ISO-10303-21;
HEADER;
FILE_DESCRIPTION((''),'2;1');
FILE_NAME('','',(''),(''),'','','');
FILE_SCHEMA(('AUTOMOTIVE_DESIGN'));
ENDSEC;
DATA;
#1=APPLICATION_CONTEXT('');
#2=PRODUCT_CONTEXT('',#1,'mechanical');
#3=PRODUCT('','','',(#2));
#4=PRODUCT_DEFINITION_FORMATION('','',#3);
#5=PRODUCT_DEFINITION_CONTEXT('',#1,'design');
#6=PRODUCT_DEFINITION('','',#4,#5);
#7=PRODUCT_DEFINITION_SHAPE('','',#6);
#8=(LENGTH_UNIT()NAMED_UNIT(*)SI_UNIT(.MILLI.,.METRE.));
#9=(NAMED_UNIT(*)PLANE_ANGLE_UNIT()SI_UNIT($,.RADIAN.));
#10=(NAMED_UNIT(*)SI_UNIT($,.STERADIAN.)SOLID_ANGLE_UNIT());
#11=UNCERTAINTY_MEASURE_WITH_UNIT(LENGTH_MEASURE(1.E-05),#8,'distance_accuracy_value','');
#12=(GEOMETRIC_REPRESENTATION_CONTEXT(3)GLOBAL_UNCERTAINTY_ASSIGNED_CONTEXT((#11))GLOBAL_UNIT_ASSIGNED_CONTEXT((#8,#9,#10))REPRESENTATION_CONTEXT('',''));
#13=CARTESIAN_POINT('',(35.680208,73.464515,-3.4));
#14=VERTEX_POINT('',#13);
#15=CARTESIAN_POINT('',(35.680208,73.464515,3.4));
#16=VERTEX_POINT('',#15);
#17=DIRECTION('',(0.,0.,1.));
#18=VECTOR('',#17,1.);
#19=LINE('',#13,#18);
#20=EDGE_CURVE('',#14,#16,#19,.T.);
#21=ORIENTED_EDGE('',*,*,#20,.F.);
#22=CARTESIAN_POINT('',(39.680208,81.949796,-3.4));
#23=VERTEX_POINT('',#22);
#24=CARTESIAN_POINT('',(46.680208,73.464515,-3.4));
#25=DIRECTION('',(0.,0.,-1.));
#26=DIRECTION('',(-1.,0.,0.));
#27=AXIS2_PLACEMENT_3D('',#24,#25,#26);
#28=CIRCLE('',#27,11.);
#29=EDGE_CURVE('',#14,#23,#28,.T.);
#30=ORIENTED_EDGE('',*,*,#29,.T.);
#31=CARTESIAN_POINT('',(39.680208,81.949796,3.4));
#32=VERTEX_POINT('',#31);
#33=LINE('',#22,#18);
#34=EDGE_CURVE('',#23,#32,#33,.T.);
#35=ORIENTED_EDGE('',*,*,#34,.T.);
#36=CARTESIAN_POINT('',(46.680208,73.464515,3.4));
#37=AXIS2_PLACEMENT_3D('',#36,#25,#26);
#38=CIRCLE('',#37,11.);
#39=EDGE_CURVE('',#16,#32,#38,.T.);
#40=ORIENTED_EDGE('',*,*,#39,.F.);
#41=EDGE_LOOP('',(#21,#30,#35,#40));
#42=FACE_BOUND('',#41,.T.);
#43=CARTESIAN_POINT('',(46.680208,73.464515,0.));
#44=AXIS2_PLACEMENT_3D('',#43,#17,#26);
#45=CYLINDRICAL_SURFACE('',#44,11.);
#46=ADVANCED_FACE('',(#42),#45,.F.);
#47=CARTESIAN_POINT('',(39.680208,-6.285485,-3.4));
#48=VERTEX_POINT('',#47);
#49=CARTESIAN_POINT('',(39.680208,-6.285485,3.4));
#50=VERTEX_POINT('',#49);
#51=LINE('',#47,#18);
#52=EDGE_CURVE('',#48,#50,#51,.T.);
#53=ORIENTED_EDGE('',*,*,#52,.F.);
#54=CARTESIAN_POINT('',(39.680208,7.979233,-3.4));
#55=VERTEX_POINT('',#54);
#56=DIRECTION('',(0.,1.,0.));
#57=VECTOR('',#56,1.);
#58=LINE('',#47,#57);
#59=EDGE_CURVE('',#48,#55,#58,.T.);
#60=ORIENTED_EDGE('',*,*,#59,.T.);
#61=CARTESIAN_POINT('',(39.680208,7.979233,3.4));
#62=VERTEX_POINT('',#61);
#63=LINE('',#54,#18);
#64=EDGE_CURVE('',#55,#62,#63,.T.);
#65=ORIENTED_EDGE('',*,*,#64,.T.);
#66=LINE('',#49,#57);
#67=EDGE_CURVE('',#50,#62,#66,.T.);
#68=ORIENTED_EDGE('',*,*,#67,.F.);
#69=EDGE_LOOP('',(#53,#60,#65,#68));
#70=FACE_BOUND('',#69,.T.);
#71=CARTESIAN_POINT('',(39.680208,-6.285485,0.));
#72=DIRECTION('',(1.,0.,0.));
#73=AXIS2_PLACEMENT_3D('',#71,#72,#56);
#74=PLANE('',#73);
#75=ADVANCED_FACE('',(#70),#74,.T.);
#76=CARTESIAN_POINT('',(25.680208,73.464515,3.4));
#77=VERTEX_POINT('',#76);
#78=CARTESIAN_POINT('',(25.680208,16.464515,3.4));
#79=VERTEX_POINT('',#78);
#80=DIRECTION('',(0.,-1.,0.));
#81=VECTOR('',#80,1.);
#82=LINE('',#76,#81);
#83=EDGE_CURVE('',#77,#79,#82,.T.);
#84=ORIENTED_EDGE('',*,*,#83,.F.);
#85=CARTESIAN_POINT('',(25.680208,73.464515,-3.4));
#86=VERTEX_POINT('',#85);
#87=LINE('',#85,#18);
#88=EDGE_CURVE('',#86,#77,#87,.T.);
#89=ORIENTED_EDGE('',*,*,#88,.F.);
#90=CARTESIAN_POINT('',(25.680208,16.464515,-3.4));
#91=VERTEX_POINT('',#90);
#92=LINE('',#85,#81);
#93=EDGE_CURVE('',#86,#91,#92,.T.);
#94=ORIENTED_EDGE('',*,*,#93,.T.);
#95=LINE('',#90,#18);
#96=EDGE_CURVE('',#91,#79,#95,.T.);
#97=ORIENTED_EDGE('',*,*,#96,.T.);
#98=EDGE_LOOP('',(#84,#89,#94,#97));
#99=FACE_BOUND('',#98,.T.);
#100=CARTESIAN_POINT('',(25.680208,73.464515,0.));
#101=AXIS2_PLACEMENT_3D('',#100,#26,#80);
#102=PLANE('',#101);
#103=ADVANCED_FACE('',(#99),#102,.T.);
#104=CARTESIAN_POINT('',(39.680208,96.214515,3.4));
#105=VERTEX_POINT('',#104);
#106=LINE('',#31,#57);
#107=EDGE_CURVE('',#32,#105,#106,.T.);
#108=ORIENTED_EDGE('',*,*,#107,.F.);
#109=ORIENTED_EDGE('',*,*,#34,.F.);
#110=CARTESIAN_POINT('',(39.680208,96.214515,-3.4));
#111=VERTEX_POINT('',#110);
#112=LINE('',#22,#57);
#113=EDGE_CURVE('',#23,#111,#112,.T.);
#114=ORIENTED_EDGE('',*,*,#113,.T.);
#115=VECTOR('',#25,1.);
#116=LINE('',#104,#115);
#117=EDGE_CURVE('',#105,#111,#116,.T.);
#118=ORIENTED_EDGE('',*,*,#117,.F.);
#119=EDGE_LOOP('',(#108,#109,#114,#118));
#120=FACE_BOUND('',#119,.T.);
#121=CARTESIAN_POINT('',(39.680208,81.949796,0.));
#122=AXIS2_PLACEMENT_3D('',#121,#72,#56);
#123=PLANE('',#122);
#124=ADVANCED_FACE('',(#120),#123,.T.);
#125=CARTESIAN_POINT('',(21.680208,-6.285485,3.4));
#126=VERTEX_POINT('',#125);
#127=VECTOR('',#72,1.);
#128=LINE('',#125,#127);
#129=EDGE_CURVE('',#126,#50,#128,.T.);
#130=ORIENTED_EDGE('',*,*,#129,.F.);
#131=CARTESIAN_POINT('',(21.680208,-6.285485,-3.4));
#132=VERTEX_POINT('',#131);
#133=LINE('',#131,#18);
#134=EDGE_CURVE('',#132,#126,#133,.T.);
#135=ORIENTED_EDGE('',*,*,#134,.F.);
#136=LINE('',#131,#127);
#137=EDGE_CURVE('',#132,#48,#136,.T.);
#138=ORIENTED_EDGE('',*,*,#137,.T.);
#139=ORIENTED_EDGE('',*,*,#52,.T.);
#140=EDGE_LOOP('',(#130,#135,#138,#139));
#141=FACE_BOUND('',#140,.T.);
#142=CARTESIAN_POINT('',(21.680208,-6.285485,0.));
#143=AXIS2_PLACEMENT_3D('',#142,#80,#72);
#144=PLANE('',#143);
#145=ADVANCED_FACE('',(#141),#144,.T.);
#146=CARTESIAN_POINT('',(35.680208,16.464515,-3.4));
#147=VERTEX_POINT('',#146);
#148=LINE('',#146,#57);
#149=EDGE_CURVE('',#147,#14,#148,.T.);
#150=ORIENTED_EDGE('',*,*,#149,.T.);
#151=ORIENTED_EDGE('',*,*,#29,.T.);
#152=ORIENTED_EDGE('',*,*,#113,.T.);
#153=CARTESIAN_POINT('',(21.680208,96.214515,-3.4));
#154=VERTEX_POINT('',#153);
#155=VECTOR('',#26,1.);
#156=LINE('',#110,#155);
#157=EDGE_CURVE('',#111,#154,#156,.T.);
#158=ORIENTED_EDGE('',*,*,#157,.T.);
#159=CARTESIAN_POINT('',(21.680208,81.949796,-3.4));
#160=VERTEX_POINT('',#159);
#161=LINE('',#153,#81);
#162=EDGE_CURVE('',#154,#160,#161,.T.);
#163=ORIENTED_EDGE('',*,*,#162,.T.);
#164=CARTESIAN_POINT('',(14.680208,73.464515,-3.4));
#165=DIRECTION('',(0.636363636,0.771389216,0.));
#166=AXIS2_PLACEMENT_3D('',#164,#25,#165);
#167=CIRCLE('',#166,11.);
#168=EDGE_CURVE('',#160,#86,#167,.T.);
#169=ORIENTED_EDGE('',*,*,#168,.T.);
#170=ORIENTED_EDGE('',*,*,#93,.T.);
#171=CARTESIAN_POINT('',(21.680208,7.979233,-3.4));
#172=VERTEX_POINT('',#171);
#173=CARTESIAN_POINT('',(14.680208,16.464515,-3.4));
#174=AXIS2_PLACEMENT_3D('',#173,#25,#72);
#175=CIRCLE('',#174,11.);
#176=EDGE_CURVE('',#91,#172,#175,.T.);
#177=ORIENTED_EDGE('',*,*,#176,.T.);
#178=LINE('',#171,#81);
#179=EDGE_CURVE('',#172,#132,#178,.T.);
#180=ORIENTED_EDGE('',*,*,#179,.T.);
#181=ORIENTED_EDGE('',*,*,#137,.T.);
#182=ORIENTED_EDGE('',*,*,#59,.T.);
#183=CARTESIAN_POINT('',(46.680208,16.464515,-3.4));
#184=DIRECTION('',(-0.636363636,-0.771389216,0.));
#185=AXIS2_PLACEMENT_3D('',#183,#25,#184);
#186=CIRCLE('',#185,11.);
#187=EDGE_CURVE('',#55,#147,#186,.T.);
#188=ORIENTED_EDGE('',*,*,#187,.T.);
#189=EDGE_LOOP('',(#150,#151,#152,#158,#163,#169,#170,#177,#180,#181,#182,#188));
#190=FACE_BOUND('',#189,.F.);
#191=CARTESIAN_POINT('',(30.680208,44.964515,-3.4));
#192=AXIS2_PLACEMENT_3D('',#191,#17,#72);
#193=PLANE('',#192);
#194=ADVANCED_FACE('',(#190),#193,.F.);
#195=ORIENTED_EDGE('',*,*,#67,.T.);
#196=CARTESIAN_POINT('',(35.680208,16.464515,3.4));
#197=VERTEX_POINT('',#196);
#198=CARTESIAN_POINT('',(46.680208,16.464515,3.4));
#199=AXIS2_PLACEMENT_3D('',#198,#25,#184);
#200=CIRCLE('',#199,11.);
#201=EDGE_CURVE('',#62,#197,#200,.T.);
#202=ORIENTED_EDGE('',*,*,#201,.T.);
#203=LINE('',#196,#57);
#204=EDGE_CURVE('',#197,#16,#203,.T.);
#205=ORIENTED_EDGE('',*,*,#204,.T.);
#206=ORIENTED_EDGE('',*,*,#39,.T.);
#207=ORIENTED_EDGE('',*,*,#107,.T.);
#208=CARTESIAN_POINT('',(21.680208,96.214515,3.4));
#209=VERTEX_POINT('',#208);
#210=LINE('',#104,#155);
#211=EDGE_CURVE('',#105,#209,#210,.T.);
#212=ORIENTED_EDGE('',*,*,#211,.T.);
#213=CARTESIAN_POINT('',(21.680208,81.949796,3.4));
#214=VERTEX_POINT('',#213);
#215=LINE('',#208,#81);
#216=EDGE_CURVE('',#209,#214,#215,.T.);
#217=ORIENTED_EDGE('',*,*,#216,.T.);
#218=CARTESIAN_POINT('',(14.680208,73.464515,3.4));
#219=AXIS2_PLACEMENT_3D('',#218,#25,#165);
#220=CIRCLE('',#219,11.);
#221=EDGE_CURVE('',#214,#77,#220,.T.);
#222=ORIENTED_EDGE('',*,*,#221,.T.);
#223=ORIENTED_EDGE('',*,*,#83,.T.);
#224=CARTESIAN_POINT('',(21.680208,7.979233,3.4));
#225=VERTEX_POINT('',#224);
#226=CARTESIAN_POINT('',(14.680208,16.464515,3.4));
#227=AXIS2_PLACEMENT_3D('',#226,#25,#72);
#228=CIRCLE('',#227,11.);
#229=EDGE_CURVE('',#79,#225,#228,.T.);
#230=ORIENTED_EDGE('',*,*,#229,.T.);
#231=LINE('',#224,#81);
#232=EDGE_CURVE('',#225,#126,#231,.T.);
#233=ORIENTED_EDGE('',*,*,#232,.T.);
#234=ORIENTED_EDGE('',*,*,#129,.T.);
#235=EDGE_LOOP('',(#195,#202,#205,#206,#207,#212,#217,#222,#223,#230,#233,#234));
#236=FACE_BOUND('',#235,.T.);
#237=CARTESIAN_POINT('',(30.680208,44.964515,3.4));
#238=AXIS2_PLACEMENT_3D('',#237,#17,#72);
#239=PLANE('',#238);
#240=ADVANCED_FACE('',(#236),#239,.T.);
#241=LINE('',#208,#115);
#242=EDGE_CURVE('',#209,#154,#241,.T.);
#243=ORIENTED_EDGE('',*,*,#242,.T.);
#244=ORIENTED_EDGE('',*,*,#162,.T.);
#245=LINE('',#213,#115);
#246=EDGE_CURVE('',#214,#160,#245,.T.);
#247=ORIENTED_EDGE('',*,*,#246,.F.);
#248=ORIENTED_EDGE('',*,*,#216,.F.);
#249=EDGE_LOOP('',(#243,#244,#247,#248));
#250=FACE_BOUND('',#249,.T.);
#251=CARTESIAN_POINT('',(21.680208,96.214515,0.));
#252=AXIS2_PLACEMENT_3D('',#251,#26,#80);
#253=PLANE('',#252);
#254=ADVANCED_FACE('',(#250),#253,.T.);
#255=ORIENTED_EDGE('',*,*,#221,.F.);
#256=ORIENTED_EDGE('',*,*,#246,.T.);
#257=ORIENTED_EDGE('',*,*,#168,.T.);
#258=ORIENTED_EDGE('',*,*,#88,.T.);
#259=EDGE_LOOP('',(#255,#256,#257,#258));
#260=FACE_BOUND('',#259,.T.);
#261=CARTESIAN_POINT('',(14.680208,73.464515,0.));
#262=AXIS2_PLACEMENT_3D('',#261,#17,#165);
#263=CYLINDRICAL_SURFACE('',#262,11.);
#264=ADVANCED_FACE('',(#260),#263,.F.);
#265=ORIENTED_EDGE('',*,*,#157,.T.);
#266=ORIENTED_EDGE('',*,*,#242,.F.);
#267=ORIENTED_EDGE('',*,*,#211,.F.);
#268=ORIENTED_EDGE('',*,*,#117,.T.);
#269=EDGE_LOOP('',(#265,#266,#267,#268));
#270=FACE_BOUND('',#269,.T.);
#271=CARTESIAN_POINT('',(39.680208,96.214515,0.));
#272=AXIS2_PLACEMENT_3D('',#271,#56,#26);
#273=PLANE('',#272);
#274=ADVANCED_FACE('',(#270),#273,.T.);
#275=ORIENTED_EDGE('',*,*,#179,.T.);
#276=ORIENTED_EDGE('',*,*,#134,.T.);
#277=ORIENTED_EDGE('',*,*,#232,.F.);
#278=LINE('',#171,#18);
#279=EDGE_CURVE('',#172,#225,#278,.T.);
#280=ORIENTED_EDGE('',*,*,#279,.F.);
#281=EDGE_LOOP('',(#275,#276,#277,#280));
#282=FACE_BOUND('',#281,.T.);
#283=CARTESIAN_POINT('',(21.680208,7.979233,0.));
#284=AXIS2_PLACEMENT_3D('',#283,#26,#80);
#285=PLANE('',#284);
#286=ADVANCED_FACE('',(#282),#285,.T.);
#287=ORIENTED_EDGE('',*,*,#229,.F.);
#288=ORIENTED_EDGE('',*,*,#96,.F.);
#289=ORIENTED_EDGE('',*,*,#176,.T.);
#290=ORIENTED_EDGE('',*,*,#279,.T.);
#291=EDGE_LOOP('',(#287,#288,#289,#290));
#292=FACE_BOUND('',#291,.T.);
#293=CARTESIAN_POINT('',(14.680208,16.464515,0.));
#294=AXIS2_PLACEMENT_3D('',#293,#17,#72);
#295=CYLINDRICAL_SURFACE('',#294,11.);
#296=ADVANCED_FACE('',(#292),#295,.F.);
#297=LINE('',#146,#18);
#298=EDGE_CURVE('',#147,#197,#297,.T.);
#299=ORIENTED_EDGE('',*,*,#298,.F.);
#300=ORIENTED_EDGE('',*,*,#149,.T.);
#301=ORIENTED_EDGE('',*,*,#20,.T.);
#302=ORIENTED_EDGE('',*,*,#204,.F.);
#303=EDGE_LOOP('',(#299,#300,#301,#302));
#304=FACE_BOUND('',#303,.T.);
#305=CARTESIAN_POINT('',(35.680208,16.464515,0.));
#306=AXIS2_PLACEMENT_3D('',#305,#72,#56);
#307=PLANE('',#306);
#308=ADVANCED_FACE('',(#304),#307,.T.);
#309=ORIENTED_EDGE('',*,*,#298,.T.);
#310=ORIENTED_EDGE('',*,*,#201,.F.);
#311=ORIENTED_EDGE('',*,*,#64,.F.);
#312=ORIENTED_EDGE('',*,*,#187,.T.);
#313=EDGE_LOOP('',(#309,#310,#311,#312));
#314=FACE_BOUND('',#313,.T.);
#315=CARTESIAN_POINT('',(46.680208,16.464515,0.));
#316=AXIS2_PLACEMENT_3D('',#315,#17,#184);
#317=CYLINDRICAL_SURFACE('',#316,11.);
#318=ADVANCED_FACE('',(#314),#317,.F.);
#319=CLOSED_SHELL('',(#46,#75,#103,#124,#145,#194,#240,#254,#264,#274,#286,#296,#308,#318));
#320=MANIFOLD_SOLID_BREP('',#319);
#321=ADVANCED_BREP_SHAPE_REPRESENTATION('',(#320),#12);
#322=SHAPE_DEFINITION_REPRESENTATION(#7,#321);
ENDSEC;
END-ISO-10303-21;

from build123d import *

# Parameters (mm, degrees)
F1_DEPTH = 3.4


with BuildPart() as f1:
    # F0 (on Top) → F1 (new body, symmetric)
    with BuildSketch(Plane.XY):
        with BuildLine():
            ThreePointArc((21.6802075356, 81.949796047), (24.6300819067, 78.1549304326), (25.6802075356, 73.4645146728))
            Line((25.6802075356, 73.4645146728), (25.6802075356, 16.4645146728))
            ThreePointArc((25.6802075356, 16.4645146728), (24.6300819067, 11.7740989129), (21.6802075356, 7.9792332985))
            Line((21.6802075356, 7.9792332985), (21.6802075356, -6.2854853272))
            Line((21.6802075356, -6.2854853272), (39.6802075356, -6.2854853272))
            Line((39.6802075356, -6.2854853272), (39.6802075356, 7.9792332985))
            ThreePointArc((39.6802075356, 7.9792332985), (36.7303331646, 11.7740989129), (35.6802075356, 16.4645146728))
            Line((35.6802075356, 16.4645146728), (35.6802075356, 73.4645146728))
            ThreePointArc((35.6802075356, 73.4645146728), (36.7303331646, 78.1549304326), (39.6802075356, 81.949796047))
            Line((39.6802075356, 81.949796047), (39.6802075356, 96.2145146728))
            Line((39.6802075356, 96.2145146728), (21.6802075356, 96.2145146728))
            Line((21.6802075356, 96.2145146728), (21.6802075356, 81.949796047))
        make_face()
    extrude(amount=F1_DEPTH, both=True)


solid = f1.part
